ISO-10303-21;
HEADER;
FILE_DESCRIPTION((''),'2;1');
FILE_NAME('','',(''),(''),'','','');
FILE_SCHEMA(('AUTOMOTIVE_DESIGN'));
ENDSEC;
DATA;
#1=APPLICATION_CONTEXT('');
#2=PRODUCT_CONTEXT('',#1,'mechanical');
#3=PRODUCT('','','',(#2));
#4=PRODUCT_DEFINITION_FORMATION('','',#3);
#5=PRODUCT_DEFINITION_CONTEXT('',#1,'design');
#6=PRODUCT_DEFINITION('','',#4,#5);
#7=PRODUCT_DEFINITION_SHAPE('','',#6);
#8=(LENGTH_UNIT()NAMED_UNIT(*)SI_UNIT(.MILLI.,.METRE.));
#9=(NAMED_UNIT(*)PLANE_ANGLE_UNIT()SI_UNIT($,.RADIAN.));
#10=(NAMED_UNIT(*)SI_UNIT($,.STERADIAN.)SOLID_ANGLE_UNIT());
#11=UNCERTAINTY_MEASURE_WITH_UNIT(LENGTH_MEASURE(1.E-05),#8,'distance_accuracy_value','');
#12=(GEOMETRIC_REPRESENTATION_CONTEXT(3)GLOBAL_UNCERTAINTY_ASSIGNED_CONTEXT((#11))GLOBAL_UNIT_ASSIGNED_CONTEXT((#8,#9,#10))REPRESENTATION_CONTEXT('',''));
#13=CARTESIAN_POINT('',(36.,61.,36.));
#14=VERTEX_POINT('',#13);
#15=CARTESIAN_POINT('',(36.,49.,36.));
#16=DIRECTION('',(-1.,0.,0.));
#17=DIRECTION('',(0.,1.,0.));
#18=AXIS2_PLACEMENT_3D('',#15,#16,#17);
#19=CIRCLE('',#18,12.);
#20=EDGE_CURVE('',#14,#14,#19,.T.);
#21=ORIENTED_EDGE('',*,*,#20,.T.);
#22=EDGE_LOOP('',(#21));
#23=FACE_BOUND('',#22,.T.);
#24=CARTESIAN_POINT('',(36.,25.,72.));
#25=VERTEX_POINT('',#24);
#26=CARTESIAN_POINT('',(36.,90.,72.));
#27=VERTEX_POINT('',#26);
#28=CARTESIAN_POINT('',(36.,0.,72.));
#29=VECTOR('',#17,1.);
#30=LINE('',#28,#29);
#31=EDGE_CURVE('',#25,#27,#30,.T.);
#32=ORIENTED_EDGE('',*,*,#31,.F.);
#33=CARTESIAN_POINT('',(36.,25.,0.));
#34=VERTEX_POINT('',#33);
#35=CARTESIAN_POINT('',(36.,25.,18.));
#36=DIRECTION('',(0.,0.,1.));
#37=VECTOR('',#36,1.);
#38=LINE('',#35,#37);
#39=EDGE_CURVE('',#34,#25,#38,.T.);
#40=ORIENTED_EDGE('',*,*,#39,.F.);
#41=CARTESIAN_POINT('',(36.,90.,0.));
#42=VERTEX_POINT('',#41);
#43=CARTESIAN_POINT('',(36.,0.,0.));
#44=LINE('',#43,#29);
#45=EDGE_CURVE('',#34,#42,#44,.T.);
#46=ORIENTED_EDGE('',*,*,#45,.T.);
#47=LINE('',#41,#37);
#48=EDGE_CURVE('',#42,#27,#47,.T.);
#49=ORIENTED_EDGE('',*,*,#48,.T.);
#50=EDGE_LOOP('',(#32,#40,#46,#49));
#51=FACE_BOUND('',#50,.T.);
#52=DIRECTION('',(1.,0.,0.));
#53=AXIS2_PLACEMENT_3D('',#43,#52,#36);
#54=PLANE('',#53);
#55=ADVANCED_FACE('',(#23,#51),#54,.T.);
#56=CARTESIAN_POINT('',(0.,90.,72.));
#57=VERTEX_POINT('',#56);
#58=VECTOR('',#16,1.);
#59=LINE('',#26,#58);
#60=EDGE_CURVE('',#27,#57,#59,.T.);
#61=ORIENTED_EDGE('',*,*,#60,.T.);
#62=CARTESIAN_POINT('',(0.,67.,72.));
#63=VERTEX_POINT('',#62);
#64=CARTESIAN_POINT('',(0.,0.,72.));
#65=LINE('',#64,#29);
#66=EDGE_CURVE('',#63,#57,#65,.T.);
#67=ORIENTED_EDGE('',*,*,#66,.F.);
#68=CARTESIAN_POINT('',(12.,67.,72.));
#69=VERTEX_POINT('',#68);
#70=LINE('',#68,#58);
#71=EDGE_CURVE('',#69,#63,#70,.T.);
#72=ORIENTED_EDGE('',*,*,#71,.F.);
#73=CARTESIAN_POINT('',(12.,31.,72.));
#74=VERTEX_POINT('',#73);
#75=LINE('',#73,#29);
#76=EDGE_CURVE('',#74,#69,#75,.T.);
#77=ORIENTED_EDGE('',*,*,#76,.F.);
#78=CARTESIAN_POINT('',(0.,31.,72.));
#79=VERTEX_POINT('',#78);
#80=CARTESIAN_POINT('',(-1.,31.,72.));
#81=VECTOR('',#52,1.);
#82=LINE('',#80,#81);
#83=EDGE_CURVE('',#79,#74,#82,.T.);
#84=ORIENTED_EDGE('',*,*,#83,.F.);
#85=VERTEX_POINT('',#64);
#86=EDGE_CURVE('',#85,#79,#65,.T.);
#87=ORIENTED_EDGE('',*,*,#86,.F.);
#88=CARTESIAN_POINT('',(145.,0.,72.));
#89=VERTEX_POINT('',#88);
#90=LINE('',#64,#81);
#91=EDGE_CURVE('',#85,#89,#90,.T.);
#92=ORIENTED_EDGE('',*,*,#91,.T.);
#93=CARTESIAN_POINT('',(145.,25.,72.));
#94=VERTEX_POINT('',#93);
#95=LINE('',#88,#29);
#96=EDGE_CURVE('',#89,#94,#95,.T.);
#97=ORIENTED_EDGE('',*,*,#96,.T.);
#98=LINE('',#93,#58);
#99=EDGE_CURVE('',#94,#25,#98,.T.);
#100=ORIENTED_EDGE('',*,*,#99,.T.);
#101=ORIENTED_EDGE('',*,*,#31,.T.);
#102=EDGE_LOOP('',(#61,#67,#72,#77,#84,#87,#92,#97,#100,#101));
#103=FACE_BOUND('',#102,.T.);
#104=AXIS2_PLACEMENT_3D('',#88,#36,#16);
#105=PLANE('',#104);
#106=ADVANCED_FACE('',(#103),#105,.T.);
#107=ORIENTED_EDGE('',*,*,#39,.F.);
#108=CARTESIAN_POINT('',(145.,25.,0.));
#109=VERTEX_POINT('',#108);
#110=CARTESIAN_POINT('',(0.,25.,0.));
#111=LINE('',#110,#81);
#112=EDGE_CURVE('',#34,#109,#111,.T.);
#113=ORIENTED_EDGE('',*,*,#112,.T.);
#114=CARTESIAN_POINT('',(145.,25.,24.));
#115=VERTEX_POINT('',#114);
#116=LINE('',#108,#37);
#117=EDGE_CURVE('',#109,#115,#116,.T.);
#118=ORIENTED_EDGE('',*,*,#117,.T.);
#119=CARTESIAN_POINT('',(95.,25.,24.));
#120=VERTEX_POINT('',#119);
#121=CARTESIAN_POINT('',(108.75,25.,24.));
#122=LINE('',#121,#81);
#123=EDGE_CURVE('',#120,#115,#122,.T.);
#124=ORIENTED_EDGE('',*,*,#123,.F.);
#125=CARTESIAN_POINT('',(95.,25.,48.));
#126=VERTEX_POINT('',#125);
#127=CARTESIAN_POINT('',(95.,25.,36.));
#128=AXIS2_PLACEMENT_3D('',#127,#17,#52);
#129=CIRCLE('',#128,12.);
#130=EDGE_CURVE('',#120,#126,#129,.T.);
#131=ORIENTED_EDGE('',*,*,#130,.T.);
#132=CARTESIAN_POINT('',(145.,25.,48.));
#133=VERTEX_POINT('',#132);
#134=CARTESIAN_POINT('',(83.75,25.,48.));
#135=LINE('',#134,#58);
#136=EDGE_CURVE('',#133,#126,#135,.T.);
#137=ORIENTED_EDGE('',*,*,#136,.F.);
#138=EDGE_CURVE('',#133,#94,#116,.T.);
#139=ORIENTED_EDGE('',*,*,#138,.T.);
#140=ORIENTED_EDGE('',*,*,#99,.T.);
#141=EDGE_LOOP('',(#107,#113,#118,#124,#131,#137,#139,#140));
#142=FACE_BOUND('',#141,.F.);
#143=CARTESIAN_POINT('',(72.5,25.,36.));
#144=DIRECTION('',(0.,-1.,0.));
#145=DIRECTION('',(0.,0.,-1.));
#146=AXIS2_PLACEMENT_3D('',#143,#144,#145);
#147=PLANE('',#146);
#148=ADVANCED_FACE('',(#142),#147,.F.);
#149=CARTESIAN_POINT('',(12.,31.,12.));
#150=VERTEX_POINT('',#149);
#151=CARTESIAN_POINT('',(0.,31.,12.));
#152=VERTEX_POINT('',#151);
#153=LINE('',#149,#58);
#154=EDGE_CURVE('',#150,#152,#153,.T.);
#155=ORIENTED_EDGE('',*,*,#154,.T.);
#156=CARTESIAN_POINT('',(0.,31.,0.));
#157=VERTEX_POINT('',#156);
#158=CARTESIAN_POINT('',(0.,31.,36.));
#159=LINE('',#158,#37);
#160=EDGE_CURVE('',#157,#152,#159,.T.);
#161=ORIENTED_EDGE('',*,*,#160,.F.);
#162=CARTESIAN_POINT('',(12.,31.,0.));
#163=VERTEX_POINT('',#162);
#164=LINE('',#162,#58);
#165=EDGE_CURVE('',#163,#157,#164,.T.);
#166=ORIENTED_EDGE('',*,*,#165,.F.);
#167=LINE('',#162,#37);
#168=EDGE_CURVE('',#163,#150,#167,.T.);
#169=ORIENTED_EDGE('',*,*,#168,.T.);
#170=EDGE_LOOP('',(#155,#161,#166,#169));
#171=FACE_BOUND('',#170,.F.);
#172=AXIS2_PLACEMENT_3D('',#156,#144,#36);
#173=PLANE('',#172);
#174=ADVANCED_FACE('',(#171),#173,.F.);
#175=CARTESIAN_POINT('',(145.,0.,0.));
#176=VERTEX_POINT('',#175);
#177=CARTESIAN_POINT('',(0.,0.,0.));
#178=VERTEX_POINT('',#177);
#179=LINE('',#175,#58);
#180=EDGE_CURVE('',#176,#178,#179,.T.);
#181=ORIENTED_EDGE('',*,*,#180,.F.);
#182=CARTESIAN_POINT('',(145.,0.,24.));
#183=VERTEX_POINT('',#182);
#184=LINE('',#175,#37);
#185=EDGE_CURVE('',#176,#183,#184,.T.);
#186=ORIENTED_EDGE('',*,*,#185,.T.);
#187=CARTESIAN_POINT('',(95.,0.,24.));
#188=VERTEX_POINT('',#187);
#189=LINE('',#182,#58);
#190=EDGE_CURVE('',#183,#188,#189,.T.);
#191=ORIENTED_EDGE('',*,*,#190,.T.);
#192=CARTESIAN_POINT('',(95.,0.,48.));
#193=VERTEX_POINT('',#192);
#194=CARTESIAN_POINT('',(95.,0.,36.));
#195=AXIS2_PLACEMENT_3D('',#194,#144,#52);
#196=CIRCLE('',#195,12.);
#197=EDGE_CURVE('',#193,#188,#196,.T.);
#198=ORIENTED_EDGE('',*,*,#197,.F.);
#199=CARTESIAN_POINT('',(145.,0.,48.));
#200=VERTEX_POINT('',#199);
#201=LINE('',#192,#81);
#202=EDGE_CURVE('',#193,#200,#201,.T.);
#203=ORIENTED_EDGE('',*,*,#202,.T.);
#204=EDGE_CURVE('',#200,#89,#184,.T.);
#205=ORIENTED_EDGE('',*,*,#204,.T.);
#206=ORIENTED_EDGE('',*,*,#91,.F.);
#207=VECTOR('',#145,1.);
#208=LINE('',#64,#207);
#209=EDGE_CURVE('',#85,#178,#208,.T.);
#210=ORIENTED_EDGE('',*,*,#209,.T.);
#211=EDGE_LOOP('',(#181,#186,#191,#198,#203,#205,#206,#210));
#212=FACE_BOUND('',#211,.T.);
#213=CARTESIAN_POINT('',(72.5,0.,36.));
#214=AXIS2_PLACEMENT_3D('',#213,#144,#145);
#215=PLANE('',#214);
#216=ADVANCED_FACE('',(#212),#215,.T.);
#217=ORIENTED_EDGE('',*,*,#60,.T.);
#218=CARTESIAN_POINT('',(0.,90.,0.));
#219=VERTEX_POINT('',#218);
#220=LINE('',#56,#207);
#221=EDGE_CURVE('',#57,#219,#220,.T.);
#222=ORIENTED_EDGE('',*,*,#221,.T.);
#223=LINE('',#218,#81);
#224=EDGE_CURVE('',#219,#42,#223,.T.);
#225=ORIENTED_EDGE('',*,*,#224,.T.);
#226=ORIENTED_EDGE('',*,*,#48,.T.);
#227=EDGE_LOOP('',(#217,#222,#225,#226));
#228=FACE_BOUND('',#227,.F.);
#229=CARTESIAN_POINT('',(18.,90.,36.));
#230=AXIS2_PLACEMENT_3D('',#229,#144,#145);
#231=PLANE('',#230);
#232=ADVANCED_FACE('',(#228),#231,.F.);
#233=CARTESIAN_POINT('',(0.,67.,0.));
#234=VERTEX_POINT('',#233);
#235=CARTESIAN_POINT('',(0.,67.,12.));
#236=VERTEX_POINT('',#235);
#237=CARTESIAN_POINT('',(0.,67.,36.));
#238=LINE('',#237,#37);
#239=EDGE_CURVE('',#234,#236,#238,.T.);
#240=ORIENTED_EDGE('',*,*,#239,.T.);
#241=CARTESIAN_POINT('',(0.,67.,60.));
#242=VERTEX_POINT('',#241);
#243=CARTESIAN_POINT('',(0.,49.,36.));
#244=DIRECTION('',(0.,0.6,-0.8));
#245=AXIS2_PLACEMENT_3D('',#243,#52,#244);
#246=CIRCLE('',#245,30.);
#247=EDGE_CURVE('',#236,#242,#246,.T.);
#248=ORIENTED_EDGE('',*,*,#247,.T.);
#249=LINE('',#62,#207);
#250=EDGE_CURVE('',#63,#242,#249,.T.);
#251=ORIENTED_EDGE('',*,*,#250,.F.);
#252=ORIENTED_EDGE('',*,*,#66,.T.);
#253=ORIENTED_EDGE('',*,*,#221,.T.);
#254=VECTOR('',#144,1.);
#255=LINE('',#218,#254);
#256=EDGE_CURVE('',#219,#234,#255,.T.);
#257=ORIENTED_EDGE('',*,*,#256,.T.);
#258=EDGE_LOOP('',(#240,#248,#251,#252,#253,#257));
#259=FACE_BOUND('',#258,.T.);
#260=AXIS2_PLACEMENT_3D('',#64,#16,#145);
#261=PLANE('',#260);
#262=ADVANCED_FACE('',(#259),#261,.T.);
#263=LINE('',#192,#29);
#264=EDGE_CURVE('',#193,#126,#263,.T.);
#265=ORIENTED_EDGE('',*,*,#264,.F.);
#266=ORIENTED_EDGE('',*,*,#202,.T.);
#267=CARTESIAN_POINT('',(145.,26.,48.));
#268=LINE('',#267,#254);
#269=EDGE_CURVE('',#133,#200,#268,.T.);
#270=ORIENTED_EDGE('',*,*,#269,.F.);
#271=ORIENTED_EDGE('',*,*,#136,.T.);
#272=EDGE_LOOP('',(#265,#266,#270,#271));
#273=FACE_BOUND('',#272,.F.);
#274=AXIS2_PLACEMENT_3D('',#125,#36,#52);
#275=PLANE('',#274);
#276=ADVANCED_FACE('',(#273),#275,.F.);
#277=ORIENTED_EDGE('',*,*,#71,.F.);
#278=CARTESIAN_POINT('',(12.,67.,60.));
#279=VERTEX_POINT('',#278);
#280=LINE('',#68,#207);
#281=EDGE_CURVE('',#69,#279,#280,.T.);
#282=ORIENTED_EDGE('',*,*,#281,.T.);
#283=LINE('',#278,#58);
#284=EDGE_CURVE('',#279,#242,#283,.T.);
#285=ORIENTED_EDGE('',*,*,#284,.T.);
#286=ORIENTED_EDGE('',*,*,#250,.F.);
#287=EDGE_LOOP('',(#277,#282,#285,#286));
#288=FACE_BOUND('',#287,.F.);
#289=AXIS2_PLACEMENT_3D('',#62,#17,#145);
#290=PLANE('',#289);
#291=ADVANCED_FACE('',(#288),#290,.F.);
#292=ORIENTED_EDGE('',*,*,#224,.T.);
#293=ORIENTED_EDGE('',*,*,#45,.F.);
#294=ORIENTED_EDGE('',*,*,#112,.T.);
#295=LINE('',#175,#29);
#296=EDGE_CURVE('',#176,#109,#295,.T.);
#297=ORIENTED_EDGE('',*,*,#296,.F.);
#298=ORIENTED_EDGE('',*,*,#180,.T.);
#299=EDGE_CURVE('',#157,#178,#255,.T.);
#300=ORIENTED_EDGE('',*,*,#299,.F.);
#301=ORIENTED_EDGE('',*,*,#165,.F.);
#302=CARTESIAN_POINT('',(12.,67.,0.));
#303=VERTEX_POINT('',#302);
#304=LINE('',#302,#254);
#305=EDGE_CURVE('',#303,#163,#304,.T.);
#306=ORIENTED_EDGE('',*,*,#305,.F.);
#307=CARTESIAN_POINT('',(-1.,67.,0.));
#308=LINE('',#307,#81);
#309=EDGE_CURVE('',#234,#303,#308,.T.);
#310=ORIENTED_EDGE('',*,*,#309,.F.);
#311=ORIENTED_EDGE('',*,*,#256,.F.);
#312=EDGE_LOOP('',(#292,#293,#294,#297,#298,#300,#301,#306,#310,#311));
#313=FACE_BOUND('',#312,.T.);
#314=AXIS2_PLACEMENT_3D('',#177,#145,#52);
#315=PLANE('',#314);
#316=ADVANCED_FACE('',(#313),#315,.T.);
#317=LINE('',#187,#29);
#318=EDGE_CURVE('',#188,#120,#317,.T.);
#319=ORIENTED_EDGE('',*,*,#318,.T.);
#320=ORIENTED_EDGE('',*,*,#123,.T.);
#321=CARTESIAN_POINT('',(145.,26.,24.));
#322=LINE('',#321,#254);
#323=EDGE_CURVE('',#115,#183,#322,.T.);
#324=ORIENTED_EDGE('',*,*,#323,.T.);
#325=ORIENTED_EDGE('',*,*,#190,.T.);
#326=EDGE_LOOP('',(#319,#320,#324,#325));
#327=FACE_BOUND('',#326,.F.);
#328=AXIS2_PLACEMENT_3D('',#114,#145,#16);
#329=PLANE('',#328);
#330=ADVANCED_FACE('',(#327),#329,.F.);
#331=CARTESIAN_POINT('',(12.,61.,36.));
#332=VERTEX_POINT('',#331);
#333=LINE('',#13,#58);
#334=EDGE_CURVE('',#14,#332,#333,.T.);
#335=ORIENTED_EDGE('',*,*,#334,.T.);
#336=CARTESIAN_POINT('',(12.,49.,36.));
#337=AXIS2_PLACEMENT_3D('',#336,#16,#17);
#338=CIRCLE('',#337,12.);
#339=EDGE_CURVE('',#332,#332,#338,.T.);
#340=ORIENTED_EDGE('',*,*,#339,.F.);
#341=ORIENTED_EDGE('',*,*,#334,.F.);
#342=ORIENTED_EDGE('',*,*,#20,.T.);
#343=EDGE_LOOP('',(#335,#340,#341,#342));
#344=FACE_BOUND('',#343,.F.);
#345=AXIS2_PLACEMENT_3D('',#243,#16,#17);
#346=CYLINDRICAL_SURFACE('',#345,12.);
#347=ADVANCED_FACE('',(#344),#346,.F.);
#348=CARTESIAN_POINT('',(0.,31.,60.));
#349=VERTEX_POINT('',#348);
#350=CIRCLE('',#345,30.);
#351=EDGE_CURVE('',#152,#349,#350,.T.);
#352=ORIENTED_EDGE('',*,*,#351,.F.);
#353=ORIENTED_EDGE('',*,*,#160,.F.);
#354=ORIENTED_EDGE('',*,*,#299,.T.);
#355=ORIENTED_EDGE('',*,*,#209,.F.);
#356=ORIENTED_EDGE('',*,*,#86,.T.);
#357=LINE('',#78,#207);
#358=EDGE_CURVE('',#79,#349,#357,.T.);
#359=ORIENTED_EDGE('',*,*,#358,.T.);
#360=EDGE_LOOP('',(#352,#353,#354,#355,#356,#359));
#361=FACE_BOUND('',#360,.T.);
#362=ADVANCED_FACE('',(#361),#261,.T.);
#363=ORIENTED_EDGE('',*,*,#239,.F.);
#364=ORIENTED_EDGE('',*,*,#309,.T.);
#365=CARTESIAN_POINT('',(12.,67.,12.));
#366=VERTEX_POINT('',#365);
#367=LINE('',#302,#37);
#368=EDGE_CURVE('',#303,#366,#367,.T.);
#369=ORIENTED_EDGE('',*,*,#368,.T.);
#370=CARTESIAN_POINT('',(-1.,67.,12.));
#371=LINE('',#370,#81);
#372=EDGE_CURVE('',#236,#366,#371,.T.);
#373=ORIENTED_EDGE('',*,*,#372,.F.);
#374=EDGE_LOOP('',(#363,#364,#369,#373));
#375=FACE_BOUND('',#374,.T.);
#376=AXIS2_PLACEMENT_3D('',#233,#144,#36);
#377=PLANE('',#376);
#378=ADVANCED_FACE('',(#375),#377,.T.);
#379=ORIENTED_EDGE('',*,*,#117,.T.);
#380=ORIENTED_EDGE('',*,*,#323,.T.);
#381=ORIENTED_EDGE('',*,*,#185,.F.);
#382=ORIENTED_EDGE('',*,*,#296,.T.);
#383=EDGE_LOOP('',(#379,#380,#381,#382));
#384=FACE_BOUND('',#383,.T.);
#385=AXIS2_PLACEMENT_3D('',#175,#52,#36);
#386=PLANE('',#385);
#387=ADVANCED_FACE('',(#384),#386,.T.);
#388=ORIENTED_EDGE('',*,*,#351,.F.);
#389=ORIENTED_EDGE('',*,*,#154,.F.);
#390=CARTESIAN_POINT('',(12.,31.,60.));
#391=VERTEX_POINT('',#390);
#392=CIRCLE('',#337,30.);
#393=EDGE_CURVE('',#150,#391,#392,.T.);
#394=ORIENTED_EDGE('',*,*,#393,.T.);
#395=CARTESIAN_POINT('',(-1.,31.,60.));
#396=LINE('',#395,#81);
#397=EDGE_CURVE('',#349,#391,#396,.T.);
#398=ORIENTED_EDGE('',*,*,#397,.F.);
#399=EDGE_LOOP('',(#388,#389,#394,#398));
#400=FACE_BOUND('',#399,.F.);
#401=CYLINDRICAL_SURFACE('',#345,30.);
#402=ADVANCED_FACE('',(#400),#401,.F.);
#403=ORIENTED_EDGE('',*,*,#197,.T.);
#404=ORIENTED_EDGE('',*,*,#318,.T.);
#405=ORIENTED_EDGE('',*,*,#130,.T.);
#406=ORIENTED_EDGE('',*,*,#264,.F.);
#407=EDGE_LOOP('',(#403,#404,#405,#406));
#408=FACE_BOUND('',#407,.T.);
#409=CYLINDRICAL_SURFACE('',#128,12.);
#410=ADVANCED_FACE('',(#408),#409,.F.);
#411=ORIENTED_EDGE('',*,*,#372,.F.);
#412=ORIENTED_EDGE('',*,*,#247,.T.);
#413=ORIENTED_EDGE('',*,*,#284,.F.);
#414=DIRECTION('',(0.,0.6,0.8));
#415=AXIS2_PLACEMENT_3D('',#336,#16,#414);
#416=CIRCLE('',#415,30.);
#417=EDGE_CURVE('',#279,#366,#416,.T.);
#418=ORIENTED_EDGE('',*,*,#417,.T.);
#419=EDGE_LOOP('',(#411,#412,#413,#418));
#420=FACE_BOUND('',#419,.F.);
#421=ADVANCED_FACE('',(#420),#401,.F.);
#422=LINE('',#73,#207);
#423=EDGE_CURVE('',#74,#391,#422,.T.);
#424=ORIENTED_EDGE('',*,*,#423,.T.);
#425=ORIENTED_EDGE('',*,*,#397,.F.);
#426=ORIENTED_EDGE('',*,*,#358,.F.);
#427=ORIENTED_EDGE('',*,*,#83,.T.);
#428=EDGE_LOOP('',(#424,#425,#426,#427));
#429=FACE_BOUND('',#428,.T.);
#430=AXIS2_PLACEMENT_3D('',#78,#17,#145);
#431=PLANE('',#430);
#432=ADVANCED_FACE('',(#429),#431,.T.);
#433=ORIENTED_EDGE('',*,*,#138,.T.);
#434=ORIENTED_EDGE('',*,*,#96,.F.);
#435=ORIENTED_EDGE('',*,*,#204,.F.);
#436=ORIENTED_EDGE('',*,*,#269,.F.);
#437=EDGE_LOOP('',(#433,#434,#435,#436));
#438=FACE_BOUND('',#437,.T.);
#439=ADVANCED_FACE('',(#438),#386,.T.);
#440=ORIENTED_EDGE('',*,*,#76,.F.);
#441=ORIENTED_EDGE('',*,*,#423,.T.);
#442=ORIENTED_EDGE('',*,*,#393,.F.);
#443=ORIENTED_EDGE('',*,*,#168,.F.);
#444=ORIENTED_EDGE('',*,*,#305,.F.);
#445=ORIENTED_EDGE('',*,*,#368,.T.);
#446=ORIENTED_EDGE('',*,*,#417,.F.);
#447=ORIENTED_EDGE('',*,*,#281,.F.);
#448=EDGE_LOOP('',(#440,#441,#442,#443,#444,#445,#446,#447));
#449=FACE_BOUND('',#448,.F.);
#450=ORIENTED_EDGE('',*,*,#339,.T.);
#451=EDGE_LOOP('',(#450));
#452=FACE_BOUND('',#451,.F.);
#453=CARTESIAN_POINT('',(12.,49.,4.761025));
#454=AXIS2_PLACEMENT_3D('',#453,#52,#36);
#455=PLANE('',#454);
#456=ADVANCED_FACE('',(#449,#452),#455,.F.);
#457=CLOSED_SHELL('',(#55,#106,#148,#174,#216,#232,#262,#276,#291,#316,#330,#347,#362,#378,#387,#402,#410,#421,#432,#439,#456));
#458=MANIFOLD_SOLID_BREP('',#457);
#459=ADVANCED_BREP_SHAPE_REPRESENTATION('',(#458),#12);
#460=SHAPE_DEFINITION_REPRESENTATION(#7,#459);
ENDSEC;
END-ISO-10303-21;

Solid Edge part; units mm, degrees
sketch "Sketch1" plane through (0, 0, 0) normal (0, -1, 0) x (1, 0, 0)
  line L0 (0, 72) -> (0, 0)
  line L1 (0, 0) -> (145, 0)
  line L2 (145, 0) -> (145, 72)
  line L3 (145, 72) -> (0, 72)
extrude "Protrusion1" add sketch "Sketch1" against normal blind 25
sketch "Sketch2" plane through (0, 0, 0) normal (0, -1, 0) x (1, 0, 0)
  line L0 (36, 0) -> (36, 72)
  line L1 (36, 72) -> (0, 72)
  line L2 (0, 72) -> (0, 0)
  line L3 (0, 0) -> (36, 0)
extrude "ExtrudedProtrusion_2" add sketch "Sketch2" against normal blind 90
sketch "Sketch3" plane through (90.5, 25, 36) normal (0, 1, 0) x (1, 0, 0)
  line L0 (54.5, 12) -> (4.5, 12)
  line L1 (54.5, -12) -> (54.5, 12)
  line L2 (4.5, -12) -> (54.5, -12)
  arc A0 (4.5, -12) -> (4.5, 12) centre (4.5, 0) cw
extrude "ExtrudedCutout_1" cut sketch "Sketch3" against normal blind 25 and the other way blind 1
sketch "Sketch4" plane through (0, 45, 36) normal (-1, 0, 0) x (0, 1, 0)
  circle A0 centre (4, 0) radius 12
  circle A1 centre (4, 0) radius 30
extrude "ExtrudedCutout_5" cut sketch "Sketch4" against normal blind 12 and the other way blind 1
sketch "Sketch5" plane through (0, 49, 36) normal (-1, 0, 0) x (0, 1, 0)
  circle A0 centre (0, 0) radius 12
extrude "ExtrudedCutout_6" cut sketch "Sketch5" against normal blind 36 and the other way blind 1
sketch "Sketch6" plane through (0, 45, 36) normal (-1, 0, 0) x (0, 1, 0)
  line L0 (4, 36) -> (22, 36)
  line L1 (22, 36) -> (22, 24)
  arc A0 (22, 24) -> (-14, 24) centre (4, 0) ccw
  line L2 (-14, 36) -> (-14, 24)
  line L3 (4, 36) -> (-14, 36)
  line L4 (4, -36) -> (22, -36)
  line L5 (22, -36) -> (22, -24)
  arc A1 (22, -24) -> (-14, -24) centre (4, 0) cw
  line L6 (-14, -36) -> (-14, -24)
  line L7 (4, -36) -> (-14, -36)
extrude "ExtrudedCutout_7" cut sketch "Sketch6" against normal blind 12 and the other way blind 1
